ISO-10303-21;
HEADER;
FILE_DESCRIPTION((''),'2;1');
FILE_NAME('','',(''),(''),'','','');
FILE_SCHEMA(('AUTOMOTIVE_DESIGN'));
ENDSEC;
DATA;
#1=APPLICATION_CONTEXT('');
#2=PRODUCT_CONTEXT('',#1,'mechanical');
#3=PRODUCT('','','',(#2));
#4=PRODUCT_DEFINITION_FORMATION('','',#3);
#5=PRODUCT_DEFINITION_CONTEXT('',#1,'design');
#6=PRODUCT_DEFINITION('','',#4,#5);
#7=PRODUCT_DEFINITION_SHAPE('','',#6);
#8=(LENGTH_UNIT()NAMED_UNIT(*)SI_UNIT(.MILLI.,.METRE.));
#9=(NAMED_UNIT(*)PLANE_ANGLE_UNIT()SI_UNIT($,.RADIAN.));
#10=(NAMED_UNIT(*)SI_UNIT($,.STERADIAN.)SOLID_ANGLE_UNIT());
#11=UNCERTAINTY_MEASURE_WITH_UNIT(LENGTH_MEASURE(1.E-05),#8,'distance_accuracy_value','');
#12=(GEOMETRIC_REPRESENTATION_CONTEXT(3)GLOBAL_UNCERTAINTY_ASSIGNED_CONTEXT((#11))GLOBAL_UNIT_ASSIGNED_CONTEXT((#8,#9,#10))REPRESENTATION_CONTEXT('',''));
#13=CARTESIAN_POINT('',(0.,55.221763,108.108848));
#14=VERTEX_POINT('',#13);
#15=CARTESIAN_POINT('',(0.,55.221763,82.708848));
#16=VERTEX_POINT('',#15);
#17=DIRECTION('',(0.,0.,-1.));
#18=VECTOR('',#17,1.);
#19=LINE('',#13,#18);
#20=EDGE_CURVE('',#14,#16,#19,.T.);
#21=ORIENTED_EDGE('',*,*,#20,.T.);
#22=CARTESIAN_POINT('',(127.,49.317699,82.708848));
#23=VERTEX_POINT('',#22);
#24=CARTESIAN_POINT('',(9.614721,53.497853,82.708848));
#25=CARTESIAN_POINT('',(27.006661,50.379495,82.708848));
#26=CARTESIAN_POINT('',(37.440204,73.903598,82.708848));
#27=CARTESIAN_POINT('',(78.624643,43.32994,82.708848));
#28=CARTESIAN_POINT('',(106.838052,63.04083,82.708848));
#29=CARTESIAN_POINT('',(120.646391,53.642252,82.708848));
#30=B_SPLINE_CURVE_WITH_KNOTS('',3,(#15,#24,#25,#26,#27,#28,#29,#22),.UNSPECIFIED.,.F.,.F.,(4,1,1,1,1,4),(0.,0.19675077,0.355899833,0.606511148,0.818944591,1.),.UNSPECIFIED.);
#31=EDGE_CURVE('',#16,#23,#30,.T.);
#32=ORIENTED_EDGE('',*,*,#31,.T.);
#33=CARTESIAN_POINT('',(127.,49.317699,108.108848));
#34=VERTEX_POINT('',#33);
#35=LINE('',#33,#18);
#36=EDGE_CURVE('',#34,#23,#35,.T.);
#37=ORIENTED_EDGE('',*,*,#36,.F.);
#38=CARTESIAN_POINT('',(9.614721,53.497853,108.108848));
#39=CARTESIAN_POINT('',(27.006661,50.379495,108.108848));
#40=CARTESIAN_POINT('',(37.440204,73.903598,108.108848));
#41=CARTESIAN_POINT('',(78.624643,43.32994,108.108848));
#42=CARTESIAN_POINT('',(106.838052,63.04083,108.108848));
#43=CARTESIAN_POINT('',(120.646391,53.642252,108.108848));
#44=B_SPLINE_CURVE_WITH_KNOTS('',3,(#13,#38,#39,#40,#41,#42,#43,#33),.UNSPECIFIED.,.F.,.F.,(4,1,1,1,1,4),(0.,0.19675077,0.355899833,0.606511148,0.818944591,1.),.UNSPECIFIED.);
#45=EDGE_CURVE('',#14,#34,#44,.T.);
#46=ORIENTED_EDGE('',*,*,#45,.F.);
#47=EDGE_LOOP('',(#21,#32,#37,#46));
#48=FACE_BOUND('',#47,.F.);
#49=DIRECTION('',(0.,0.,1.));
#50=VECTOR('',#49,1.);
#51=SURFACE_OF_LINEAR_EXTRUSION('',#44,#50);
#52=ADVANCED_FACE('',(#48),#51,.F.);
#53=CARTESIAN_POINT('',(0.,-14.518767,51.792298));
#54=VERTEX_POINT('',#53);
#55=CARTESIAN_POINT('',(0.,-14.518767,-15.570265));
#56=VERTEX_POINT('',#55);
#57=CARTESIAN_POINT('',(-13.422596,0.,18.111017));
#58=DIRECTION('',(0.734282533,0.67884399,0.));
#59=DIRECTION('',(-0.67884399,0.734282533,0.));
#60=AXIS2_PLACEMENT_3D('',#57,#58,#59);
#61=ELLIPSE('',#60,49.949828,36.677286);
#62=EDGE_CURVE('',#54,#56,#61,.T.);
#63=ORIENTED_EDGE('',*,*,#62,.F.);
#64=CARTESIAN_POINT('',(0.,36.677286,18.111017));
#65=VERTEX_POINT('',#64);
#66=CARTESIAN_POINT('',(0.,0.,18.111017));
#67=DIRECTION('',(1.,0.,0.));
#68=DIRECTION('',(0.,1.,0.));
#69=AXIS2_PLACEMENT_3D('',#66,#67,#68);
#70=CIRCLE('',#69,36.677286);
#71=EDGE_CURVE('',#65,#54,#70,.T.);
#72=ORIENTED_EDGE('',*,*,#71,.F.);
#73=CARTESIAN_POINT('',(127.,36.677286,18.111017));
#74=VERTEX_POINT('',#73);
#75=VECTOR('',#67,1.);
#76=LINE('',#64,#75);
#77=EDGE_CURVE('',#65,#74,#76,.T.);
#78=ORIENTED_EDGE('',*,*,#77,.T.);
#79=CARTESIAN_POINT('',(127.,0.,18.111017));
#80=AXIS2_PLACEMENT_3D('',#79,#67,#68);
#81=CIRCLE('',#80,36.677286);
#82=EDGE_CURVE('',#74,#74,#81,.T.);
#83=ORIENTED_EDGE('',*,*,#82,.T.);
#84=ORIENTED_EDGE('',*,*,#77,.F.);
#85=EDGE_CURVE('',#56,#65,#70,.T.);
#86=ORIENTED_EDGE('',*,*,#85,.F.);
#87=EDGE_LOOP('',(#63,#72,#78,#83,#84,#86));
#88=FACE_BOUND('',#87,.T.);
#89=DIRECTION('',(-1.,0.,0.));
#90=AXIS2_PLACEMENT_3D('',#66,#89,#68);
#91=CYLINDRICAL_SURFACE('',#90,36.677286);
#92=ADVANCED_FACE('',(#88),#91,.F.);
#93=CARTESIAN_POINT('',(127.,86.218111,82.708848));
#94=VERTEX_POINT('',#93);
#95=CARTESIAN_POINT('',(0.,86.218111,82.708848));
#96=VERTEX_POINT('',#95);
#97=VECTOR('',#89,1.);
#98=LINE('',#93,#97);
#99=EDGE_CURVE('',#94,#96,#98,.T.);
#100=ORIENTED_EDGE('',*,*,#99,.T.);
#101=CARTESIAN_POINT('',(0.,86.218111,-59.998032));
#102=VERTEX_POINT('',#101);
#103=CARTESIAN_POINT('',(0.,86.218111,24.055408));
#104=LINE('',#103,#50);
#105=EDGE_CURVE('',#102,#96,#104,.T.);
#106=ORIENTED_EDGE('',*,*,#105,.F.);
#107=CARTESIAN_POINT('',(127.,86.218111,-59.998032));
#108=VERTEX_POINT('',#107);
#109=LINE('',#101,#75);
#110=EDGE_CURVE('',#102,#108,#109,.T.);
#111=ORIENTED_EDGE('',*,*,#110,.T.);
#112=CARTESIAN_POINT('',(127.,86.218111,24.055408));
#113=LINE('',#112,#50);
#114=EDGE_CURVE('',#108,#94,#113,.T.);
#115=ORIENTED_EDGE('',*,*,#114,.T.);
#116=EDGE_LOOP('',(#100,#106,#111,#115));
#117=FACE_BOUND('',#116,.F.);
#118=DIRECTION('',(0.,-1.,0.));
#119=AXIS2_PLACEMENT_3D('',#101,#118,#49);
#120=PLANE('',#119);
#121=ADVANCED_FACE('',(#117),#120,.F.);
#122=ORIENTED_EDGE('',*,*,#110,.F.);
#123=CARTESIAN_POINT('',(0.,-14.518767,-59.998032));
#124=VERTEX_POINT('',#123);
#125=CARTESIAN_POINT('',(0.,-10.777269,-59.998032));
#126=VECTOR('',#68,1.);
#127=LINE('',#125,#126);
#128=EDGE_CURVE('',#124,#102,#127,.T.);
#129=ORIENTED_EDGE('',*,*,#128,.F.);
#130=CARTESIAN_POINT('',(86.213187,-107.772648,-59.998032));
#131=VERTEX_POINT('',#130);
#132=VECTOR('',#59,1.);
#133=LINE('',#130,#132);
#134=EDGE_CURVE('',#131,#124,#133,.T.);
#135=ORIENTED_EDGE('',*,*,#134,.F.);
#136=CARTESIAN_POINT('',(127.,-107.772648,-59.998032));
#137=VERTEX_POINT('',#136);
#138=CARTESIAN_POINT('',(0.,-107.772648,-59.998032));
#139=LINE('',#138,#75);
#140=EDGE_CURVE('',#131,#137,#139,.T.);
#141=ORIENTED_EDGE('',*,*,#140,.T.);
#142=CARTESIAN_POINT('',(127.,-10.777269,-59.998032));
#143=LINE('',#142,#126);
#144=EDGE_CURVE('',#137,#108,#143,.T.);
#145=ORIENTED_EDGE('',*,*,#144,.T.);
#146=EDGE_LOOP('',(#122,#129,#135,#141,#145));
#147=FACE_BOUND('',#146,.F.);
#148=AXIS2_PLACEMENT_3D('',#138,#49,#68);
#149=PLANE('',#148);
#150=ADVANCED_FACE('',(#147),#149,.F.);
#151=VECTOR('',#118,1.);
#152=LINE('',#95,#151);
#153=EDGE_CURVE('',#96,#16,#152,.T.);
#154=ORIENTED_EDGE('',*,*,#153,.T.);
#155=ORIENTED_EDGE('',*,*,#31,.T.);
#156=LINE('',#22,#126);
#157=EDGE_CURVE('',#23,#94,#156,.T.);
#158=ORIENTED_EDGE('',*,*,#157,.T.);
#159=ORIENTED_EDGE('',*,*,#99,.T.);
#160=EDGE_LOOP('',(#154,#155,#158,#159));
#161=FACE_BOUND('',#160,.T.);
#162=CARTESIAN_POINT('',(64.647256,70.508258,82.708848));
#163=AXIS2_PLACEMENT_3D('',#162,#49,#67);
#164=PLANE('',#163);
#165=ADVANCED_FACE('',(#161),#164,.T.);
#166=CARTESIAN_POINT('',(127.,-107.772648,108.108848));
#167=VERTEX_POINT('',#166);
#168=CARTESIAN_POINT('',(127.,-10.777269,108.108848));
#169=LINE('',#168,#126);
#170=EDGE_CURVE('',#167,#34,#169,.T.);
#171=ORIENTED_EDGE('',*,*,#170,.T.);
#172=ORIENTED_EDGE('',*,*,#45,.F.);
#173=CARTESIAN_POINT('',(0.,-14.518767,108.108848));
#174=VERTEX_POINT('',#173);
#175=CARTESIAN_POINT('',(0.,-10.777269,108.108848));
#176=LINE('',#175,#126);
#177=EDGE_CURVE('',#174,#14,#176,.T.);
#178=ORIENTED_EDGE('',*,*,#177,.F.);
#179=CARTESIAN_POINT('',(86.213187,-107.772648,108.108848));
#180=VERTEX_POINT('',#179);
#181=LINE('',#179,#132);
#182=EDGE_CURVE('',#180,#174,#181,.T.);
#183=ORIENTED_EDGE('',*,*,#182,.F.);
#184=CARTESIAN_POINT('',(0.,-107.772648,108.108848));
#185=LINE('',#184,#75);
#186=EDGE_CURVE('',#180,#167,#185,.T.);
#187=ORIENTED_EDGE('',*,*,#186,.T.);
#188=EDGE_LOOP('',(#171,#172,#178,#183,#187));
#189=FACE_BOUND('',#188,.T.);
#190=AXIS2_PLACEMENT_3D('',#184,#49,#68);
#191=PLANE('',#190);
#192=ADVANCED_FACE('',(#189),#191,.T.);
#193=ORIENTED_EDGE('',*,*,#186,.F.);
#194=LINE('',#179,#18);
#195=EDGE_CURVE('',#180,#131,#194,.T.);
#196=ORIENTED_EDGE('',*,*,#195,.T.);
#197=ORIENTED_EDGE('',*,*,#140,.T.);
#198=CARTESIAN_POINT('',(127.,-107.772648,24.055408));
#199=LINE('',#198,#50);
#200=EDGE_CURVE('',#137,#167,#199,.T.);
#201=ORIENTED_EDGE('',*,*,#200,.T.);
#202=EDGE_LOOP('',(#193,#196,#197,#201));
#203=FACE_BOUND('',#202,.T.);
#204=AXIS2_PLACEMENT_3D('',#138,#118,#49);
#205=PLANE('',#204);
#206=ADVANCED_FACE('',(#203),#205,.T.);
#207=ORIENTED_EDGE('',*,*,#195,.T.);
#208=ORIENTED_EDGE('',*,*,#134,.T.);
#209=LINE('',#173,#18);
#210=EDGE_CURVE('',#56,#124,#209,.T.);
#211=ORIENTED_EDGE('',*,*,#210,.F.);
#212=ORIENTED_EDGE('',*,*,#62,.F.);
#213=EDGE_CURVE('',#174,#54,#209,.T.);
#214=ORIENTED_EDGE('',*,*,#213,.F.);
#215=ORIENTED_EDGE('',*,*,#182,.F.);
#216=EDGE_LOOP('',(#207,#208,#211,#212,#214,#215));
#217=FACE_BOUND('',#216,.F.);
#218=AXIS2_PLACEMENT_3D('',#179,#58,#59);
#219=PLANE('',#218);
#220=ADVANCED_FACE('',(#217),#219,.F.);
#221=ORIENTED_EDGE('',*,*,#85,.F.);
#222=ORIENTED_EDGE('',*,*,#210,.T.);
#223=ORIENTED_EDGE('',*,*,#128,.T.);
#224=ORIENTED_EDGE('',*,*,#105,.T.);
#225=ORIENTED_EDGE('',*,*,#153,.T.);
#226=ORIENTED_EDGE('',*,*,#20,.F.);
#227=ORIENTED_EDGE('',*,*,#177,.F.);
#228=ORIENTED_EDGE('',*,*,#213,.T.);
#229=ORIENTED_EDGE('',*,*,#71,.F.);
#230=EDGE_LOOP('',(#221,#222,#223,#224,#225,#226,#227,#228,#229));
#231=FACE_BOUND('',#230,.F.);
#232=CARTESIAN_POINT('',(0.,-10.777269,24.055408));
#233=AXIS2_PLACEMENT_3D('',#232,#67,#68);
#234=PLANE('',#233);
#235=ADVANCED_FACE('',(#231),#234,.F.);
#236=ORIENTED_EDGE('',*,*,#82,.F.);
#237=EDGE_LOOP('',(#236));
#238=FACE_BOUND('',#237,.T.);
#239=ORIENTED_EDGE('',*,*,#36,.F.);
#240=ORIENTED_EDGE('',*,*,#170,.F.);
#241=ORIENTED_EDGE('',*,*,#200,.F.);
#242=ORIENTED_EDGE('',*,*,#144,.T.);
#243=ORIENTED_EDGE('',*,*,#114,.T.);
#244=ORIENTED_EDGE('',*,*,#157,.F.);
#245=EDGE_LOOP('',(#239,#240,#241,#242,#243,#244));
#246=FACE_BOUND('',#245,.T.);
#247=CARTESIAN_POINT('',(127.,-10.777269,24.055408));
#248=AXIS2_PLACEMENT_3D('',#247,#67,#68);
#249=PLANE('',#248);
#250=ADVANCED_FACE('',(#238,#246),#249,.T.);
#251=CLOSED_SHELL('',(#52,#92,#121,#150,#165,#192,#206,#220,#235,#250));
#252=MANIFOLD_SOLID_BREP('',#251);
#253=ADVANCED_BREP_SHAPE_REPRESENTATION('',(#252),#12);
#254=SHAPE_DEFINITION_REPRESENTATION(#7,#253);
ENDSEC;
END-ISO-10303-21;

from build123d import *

# Parameters (mm, degrees)
F0_W     = 193.9907595515
F0_H     = 168.106880039
F0_R     = 36.6772862691
F1_DEPTH = 127
F3_DEPTH = 25.4
F5_DEPTH = 168.106880039


with BuildPart() as f1:
    # F0 (on Right) → F1 (new body)
    with BuildSketch(Plane.YZ):
        with Locations((-10.7772685587, 24.0554083139)):
            Rectangle(F0_W, F0_H)
        with Locations((0, 18.1110166013)):
            Circle(F0_R, mode=Mode.SUBTRACT)
    extrude(amount=F1_DEPTH)

    # F2 (on face) → F3 (cut)
    with BuildSketch(Plane.XY.offset(108.1088483334)):
        with BuildLine():
            Line((0, 86.218111217), (0, 55.2217625082))
            add(Edge.make_bspline(
                [(0, 55.2217625082), (9.6147210988, 53.4978525461), (27.0066613183, 50.3794949053), (37.4402038298, 73.9035979944), (78.6246433045, 43.3299400269), (106.8380515, 63.040830288), (120.6463905868, 53.6422520116), (127, 49.3176989257)],
                knots=[0, 0, 0, 0, 0.1967507704, 0.3558998333, 0.6065111476, 0.8189445913, 1, 1, 1, 1], degree=3))
            Line((127, 49.3176989257), (127, 86.218111217))
            Line((127, 86.218111217), (0, 86.218111217))
        make_face()
    extrude(amount=-F3_DEPTH, mode=Mode.SUBTRACT)

    # F4 (on face) → F5 (cut, through all)
    with BuildSketch(Plane.XY.offset(108.1088483334)):
        Polygon((86.2131866927, -107.7726483345), (0, -14.5187666979), (0, -107.7726483345), align=None)
    extrude(amount=-F5_DEPTH, mode=Mode.SUBTRACT)


solid = f1.part
